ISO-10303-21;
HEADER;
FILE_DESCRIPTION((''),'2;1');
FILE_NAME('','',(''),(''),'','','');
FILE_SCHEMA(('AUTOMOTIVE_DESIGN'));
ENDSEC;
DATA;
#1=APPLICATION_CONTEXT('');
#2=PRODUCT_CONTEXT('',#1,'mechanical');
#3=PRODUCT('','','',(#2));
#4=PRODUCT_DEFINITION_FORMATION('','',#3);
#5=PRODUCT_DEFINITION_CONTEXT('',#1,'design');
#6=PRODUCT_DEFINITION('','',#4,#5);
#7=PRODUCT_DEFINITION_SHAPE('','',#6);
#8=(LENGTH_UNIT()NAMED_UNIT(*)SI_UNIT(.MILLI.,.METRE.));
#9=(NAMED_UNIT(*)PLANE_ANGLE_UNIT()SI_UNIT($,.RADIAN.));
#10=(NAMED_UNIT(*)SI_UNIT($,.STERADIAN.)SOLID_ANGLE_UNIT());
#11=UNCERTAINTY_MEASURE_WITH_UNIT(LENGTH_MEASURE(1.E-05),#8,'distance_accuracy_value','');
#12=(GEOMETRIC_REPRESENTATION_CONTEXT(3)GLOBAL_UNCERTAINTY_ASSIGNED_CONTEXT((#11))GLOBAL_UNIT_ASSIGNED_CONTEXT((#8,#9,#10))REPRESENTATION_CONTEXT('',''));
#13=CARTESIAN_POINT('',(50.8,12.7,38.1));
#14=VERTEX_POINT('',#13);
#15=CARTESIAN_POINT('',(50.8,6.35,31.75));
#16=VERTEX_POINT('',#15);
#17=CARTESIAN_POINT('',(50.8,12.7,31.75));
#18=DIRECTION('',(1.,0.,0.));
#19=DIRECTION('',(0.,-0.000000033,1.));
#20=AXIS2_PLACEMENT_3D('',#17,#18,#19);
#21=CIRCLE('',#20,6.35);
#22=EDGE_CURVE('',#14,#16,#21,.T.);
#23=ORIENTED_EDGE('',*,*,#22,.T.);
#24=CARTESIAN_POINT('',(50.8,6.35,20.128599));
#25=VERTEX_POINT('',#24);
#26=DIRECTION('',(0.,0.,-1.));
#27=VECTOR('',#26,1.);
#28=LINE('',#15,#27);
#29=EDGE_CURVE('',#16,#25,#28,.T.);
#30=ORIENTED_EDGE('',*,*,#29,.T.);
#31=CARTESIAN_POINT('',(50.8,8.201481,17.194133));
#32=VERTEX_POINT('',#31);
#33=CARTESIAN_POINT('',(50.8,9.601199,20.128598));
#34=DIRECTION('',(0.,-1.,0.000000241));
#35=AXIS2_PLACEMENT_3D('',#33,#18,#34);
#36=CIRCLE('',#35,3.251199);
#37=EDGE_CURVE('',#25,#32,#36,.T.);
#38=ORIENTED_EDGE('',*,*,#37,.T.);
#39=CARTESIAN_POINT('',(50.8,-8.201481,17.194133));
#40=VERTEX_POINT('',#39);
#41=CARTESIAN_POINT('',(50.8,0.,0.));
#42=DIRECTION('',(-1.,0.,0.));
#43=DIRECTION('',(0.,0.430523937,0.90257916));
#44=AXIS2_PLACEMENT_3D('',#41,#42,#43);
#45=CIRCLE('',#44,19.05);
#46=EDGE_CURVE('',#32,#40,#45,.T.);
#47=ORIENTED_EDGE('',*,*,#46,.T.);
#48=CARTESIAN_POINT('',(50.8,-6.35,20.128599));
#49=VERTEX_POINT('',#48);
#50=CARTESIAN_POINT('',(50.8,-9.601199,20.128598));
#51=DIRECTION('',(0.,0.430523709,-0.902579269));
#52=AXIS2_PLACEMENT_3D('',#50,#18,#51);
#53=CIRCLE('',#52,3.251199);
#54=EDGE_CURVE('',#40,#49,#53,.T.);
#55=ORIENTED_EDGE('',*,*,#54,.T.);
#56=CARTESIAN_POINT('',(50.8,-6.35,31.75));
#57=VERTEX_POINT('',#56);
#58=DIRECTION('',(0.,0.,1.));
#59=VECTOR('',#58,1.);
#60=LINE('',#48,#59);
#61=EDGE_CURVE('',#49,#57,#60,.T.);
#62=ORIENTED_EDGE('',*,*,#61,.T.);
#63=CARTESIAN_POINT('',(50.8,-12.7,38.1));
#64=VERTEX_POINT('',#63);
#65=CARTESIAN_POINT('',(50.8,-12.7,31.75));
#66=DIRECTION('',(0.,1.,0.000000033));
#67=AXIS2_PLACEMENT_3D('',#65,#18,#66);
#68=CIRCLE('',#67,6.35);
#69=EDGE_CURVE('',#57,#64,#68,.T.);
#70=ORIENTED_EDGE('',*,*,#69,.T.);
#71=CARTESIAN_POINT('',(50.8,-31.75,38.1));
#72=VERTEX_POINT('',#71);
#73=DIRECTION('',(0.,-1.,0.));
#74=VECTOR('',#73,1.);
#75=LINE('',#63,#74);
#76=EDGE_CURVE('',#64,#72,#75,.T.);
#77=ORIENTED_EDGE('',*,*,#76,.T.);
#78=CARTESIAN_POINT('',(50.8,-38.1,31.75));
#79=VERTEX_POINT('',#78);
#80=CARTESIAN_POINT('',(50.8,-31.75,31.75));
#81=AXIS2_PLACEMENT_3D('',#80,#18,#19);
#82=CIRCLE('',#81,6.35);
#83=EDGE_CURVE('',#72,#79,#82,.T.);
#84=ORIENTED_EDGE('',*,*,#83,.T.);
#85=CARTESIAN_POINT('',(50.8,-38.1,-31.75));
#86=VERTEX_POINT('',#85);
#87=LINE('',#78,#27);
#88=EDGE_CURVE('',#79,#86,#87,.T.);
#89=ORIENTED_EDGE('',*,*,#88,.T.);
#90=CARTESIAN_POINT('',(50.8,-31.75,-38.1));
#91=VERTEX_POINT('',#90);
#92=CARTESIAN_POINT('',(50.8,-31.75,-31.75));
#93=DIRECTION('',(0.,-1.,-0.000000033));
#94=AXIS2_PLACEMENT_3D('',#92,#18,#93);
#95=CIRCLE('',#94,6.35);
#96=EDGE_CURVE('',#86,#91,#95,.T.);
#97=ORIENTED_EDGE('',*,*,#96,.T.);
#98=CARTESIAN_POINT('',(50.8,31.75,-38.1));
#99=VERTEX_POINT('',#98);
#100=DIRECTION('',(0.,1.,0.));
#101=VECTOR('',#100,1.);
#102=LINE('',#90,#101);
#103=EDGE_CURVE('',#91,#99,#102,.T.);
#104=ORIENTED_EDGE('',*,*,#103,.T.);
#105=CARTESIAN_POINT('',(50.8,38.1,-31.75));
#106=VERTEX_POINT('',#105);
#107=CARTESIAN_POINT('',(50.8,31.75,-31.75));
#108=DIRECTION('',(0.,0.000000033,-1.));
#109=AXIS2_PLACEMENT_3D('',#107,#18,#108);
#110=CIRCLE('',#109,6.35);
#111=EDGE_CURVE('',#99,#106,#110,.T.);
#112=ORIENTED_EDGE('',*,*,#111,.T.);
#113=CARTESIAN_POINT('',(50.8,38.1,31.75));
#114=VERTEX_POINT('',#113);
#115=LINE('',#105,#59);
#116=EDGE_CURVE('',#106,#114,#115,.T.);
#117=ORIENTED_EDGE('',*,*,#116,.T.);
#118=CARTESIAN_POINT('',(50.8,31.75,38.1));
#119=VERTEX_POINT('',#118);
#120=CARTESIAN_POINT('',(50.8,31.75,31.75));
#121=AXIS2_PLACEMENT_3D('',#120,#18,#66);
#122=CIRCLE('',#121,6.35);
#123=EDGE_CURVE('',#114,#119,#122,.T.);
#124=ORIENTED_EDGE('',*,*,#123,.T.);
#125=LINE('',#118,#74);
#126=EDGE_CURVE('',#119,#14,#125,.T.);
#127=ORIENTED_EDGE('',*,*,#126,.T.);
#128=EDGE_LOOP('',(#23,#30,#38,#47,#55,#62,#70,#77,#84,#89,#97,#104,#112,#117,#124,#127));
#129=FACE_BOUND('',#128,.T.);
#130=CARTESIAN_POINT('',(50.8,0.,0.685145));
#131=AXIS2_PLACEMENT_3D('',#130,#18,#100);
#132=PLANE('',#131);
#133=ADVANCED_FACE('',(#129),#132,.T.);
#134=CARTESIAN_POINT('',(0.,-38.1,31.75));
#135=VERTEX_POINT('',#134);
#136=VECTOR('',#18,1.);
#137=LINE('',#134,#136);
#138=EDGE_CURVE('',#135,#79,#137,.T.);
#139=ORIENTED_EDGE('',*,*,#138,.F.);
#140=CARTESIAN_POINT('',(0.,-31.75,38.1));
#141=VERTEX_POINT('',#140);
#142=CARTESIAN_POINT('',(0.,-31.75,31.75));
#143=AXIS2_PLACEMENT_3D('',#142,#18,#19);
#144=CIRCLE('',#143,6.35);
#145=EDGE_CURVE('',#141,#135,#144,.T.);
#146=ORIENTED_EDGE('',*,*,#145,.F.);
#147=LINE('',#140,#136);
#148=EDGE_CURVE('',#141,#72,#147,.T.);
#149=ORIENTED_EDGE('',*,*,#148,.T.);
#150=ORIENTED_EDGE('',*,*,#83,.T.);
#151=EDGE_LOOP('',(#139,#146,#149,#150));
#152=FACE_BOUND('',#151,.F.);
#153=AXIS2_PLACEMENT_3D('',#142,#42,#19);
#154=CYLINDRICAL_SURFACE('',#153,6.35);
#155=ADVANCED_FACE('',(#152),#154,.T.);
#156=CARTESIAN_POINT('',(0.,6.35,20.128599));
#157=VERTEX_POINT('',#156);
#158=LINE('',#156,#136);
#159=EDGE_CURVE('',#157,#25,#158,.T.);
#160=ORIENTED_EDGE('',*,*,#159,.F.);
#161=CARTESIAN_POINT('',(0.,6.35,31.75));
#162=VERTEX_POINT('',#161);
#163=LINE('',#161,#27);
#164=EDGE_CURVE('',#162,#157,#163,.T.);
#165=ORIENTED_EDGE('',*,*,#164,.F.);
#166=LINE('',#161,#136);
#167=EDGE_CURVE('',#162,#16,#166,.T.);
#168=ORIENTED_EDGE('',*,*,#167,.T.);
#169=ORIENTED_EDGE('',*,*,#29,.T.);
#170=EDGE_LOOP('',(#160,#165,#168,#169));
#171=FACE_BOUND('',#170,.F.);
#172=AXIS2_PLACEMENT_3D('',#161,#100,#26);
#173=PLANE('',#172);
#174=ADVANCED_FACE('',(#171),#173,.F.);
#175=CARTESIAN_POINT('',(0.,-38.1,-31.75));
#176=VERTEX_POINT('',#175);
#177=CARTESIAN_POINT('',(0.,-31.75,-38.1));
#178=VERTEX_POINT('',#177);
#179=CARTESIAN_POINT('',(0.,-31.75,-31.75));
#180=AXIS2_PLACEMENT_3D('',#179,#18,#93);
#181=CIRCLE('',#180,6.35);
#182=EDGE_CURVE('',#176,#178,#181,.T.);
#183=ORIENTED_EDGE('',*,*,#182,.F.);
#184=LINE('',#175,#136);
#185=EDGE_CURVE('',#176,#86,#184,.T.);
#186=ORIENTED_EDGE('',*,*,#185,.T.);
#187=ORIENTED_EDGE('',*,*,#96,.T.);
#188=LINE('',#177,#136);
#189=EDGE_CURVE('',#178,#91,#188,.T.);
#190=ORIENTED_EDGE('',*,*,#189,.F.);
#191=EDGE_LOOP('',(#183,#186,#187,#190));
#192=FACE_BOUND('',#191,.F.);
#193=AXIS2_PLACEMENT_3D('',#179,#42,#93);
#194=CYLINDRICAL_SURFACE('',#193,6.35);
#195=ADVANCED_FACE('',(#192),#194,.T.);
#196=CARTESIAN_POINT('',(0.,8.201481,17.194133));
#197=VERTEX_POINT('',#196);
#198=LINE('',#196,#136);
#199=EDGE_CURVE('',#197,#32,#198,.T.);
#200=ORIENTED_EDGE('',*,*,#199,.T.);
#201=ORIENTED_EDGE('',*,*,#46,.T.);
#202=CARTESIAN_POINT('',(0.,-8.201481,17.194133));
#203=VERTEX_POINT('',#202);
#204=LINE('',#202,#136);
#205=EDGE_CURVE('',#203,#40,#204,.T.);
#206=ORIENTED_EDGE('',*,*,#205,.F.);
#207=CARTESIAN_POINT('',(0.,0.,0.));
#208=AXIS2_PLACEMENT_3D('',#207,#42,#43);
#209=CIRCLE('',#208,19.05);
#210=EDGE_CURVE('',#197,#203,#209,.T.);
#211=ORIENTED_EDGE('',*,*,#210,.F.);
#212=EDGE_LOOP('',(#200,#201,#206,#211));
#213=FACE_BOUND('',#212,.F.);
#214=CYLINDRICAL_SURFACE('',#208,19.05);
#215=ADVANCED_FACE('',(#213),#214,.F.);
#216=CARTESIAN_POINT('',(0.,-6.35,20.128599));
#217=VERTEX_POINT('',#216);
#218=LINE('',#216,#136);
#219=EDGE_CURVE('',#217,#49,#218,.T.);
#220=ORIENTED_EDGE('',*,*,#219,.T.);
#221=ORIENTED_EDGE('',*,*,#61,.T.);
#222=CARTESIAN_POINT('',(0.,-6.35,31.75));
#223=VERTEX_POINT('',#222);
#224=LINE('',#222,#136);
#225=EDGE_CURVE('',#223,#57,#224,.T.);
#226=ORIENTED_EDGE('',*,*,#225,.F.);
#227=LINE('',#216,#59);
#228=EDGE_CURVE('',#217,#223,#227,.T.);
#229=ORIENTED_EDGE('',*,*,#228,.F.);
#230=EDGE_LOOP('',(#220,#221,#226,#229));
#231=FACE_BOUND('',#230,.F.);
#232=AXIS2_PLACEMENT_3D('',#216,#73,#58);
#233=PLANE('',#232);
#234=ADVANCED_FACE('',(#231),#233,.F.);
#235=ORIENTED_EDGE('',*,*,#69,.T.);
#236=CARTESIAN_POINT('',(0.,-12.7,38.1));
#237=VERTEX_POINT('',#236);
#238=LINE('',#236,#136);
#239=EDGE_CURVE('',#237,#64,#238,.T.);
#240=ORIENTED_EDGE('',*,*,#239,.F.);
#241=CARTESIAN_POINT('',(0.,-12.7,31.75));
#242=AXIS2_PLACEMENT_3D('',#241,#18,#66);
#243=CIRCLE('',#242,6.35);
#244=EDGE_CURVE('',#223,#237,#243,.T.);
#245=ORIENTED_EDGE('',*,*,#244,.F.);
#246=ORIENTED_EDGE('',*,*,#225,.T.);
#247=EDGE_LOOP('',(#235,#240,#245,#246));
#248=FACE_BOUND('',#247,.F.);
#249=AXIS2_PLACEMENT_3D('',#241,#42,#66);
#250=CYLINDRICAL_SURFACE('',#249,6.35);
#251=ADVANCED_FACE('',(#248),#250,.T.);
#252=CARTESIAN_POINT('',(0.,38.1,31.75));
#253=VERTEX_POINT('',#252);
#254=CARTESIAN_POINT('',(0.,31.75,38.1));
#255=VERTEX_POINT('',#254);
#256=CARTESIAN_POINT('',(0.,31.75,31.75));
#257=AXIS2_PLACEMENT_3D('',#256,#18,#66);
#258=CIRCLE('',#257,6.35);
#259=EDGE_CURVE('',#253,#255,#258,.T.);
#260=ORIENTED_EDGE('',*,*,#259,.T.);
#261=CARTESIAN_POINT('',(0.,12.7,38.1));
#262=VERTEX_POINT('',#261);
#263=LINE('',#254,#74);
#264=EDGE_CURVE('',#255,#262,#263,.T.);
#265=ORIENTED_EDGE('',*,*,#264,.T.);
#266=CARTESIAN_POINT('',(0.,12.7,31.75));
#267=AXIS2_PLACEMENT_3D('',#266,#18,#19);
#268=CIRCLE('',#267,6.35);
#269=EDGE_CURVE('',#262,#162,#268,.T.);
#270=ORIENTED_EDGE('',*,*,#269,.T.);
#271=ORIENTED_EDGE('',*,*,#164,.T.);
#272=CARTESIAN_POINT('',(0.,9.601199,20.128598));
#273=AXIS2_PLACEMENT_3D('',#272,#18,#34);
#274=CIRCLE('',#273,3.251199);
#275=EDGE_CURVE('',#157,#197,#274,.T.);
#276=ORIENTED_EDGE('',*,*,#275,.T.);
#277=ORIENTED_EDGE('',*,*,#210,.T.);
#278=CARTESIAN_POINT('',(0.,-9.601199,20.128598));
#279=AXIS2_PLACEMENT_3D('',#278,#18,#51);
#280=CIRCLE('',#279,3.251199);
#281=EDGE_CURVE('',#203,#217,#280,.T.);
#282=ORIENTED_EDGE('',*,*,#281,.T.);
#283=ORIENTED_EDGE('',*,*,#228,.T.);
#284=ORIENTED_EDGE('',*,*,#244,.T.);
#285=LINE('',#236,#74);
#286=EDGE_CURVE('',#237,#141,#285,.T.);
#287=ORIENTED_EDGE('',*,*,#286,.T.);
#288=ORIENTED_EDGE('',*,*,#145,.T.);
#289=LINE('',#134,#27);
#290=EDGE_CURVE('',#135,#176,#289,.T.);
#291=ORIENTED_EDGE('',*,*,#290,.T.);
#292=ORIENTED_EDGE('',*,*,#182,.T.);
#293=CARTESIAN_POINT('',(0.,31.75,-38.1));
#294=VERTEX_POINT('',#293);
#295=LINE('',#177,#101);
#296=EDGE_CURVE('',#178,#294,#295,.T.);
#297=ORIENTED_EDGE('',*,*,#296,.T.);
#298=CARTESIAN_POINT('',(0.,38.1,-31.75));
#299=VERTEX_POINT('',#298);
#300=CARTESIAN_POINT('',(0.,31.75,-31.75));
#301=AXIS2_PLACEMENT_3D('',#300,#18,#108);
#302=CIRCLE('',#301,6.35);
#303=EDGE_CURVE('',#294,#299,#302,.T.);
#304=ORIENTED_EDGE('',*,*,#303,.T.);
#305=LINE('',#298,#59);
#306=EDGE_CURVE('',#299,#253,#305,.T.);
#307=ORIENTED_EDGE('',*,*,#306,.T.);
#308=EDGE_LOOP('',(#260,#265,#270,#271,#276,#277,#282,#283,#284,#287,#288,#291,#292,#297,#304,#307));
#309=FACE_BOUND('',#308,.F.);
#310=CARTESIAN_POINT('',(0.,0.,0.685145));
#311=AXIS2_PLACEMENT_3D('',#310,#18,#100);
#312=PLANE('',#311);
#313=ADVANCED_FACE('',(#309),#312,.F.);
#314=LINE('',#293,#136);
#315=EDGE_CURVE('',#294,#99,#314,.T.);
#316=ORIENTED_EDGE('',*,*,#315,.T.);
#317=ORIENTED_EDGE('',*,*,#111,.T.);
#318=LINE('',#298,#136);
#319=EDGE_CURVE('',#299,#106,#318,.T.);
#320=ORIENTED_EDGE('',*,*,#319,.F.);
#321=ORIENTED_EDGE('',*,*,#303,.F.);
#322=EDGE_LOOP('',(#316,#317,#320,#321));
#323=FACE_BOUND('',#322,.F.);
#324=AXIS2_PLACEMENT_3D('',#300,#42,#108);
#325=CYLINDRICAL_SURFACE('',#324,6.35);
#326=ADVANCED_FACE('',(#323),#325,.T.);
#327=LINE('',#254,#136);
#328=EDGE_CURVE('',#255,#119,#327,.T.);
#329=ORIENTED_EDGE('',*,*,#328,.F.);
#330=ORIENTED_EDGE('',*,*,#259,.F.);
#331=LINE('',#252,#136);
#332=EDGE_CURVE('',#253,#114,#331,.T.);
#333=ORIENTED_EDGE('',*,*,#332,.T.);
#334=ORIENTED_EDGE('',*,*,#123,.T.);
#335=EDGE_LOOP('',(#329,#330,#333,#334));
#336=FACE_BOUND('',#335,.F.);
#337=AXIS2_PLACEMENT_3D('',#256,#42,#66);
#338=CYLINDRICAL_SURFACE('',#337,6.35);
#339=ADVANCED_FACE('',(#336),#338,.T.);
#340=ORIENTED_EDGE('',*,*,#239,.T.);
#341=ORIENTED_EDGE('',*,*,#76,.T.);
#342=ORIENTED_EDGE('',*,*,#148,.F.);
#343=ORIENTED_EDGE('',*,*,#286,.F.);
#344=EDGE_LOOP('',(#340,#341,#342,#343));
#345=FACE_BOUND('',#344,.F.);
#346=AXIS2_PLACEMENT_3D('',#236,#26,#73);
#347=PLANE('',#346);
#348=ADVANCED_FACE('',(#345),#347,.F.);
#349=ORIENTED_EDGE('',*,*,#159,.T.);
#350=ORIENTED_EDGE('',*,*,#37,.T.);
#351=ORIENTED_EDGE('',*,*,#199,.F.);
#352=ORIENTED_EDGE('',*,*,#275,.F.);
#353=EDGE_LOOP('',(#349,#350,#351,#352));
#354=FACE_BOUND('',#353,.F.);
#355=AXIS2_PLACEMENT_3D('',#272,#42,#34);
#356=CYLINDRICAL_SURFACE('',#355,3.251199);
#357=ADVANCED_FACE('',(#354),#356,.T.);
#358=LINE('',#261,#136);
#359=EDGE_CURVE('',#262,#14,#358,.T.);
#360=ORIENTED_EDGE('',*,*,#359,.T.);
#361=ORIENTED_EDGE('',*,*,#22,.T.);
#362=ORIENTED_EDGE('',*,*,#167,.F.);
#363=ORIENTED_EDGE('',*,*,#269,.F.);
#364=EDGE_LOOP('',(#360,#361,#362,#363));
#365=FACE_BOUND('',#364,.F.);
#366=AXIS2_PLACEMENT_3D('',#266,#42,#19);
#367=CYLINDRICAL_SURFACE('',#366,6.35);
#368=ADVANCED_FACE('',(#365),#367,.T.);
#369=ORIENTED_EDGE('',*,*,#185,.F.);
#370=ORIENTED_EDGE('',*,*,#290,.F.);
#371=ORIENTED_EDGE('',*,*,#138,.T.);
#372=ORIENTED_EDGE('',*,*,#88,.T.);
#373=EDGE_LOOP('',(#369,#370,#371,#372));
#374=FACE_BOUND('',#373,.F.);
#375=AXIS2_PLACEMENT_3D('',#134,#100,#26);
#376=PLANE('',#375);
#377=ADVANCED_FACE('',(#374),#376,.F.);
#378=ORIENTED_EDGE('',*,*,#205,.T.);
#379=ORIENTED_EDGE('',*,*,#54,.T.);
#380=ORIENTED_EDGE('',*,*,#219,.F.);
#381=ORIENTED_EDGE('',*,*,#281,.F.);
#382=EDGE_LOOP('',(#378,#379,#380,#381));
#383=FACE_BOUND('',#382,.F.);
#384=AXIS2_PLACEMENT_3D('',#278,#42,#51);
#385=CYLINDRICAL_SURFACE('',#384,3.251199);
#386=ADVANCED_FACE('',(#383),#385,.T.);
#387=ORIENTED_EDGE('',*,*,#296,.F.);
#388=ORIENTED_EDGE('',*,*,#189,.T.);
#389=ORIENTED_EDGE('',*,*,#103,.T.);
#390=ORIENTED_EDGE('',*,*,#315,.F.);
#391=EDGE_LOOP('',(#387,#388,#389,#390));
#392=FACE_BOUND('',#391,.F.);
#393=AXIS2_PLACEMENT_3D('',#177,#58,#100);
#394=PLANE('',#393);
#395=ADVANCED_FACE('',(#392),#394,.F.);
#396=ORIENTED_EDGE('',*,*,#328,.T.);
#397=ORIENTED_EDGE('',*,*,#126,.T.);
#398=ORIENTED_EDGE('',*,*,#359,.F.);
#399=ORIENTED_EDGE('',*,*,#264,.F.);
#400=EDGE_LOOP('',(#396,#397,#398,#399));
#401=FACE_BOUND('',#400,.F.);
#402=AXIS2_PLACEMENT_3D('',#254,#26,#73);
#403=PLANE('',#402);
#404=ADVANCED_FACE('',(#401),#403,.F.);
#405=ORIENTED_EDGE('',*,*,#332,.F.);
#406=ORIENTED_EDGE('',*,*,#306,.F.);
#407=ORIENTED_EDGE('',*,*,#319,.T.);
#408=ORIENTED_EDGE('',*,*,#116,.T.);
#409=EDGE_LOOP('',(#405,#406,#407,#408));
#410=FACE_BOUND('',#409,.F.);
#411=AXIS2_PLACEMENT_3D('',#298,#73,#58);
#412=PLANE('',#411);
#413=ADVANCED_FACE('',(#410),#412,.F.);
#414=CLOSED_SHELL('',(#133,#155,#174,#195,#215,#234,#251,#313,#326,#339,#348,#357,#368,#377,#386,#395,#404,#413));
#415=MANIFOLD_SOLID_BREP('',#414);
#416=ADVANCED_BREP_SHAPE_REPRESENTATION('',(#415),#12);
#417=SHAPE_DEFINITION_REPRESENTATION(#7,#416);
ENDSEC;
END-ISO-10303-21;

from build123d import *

# Parameters (mm, degrees)
F1_DEPTH = 50.8


with BuildPart() as f1:
    # F0 (on Right) → F1 (new body)
    with BuildSketch(Plane.YZ):
        with BuildLine():
            ThreePointArc((38.1, 31.75), (36.240128, 36.240128), (31.75, 38.1))
            Line((31.75, 38.1), (12.7, 38.1))
            ThreePointArc((12.7, 38.1), (8.209872, 36.240128), (6.35, 31.75))
            Line((6.35, 31.75), (6.35, 20.128599))
            ThreePointArc((6.35, 20.128599), (6.851557, 18.393731), (8.201481, 17.194133))
            ThreePointArc((8.201481, 17.194133), (0, -19.05), (-8.201481, 17.194133))
            ThreePointArc((-8.201481, 17.194133), (-6.851557, 18.393731), (-6.35, 20.128599))
            Line((-6.35, 20.128599), (-6.35, 31.75))
            ThreePointArc((-6.35, 31.75), (-8.209872, 36.240128), (-12.7, 38.1))
            Line((-12.7, 38.1), (-31.75, 38.1))
            ThreePointArc((-31.75, 38.1), (-36.240128, 36.240128), (-38.1, 31.75))
            Line((-38.1, 31.75), (-38.1, -31.75))
            ThreePointArc((-38.1, -31.75), (-36.240128, -36.240128), (-31.75, -38.1))
            Line((-31.75, -38.1), (31.75, -38.1))
            ThreePointArc((31.75, -38.1), (36.240128, -36.240128), (38.1, -31.75))
            Line((38.1, -31.75), (38.1, 31.75))
        make_face()
    extrude(amount=F1_DEPTH)


solid = f1.part
